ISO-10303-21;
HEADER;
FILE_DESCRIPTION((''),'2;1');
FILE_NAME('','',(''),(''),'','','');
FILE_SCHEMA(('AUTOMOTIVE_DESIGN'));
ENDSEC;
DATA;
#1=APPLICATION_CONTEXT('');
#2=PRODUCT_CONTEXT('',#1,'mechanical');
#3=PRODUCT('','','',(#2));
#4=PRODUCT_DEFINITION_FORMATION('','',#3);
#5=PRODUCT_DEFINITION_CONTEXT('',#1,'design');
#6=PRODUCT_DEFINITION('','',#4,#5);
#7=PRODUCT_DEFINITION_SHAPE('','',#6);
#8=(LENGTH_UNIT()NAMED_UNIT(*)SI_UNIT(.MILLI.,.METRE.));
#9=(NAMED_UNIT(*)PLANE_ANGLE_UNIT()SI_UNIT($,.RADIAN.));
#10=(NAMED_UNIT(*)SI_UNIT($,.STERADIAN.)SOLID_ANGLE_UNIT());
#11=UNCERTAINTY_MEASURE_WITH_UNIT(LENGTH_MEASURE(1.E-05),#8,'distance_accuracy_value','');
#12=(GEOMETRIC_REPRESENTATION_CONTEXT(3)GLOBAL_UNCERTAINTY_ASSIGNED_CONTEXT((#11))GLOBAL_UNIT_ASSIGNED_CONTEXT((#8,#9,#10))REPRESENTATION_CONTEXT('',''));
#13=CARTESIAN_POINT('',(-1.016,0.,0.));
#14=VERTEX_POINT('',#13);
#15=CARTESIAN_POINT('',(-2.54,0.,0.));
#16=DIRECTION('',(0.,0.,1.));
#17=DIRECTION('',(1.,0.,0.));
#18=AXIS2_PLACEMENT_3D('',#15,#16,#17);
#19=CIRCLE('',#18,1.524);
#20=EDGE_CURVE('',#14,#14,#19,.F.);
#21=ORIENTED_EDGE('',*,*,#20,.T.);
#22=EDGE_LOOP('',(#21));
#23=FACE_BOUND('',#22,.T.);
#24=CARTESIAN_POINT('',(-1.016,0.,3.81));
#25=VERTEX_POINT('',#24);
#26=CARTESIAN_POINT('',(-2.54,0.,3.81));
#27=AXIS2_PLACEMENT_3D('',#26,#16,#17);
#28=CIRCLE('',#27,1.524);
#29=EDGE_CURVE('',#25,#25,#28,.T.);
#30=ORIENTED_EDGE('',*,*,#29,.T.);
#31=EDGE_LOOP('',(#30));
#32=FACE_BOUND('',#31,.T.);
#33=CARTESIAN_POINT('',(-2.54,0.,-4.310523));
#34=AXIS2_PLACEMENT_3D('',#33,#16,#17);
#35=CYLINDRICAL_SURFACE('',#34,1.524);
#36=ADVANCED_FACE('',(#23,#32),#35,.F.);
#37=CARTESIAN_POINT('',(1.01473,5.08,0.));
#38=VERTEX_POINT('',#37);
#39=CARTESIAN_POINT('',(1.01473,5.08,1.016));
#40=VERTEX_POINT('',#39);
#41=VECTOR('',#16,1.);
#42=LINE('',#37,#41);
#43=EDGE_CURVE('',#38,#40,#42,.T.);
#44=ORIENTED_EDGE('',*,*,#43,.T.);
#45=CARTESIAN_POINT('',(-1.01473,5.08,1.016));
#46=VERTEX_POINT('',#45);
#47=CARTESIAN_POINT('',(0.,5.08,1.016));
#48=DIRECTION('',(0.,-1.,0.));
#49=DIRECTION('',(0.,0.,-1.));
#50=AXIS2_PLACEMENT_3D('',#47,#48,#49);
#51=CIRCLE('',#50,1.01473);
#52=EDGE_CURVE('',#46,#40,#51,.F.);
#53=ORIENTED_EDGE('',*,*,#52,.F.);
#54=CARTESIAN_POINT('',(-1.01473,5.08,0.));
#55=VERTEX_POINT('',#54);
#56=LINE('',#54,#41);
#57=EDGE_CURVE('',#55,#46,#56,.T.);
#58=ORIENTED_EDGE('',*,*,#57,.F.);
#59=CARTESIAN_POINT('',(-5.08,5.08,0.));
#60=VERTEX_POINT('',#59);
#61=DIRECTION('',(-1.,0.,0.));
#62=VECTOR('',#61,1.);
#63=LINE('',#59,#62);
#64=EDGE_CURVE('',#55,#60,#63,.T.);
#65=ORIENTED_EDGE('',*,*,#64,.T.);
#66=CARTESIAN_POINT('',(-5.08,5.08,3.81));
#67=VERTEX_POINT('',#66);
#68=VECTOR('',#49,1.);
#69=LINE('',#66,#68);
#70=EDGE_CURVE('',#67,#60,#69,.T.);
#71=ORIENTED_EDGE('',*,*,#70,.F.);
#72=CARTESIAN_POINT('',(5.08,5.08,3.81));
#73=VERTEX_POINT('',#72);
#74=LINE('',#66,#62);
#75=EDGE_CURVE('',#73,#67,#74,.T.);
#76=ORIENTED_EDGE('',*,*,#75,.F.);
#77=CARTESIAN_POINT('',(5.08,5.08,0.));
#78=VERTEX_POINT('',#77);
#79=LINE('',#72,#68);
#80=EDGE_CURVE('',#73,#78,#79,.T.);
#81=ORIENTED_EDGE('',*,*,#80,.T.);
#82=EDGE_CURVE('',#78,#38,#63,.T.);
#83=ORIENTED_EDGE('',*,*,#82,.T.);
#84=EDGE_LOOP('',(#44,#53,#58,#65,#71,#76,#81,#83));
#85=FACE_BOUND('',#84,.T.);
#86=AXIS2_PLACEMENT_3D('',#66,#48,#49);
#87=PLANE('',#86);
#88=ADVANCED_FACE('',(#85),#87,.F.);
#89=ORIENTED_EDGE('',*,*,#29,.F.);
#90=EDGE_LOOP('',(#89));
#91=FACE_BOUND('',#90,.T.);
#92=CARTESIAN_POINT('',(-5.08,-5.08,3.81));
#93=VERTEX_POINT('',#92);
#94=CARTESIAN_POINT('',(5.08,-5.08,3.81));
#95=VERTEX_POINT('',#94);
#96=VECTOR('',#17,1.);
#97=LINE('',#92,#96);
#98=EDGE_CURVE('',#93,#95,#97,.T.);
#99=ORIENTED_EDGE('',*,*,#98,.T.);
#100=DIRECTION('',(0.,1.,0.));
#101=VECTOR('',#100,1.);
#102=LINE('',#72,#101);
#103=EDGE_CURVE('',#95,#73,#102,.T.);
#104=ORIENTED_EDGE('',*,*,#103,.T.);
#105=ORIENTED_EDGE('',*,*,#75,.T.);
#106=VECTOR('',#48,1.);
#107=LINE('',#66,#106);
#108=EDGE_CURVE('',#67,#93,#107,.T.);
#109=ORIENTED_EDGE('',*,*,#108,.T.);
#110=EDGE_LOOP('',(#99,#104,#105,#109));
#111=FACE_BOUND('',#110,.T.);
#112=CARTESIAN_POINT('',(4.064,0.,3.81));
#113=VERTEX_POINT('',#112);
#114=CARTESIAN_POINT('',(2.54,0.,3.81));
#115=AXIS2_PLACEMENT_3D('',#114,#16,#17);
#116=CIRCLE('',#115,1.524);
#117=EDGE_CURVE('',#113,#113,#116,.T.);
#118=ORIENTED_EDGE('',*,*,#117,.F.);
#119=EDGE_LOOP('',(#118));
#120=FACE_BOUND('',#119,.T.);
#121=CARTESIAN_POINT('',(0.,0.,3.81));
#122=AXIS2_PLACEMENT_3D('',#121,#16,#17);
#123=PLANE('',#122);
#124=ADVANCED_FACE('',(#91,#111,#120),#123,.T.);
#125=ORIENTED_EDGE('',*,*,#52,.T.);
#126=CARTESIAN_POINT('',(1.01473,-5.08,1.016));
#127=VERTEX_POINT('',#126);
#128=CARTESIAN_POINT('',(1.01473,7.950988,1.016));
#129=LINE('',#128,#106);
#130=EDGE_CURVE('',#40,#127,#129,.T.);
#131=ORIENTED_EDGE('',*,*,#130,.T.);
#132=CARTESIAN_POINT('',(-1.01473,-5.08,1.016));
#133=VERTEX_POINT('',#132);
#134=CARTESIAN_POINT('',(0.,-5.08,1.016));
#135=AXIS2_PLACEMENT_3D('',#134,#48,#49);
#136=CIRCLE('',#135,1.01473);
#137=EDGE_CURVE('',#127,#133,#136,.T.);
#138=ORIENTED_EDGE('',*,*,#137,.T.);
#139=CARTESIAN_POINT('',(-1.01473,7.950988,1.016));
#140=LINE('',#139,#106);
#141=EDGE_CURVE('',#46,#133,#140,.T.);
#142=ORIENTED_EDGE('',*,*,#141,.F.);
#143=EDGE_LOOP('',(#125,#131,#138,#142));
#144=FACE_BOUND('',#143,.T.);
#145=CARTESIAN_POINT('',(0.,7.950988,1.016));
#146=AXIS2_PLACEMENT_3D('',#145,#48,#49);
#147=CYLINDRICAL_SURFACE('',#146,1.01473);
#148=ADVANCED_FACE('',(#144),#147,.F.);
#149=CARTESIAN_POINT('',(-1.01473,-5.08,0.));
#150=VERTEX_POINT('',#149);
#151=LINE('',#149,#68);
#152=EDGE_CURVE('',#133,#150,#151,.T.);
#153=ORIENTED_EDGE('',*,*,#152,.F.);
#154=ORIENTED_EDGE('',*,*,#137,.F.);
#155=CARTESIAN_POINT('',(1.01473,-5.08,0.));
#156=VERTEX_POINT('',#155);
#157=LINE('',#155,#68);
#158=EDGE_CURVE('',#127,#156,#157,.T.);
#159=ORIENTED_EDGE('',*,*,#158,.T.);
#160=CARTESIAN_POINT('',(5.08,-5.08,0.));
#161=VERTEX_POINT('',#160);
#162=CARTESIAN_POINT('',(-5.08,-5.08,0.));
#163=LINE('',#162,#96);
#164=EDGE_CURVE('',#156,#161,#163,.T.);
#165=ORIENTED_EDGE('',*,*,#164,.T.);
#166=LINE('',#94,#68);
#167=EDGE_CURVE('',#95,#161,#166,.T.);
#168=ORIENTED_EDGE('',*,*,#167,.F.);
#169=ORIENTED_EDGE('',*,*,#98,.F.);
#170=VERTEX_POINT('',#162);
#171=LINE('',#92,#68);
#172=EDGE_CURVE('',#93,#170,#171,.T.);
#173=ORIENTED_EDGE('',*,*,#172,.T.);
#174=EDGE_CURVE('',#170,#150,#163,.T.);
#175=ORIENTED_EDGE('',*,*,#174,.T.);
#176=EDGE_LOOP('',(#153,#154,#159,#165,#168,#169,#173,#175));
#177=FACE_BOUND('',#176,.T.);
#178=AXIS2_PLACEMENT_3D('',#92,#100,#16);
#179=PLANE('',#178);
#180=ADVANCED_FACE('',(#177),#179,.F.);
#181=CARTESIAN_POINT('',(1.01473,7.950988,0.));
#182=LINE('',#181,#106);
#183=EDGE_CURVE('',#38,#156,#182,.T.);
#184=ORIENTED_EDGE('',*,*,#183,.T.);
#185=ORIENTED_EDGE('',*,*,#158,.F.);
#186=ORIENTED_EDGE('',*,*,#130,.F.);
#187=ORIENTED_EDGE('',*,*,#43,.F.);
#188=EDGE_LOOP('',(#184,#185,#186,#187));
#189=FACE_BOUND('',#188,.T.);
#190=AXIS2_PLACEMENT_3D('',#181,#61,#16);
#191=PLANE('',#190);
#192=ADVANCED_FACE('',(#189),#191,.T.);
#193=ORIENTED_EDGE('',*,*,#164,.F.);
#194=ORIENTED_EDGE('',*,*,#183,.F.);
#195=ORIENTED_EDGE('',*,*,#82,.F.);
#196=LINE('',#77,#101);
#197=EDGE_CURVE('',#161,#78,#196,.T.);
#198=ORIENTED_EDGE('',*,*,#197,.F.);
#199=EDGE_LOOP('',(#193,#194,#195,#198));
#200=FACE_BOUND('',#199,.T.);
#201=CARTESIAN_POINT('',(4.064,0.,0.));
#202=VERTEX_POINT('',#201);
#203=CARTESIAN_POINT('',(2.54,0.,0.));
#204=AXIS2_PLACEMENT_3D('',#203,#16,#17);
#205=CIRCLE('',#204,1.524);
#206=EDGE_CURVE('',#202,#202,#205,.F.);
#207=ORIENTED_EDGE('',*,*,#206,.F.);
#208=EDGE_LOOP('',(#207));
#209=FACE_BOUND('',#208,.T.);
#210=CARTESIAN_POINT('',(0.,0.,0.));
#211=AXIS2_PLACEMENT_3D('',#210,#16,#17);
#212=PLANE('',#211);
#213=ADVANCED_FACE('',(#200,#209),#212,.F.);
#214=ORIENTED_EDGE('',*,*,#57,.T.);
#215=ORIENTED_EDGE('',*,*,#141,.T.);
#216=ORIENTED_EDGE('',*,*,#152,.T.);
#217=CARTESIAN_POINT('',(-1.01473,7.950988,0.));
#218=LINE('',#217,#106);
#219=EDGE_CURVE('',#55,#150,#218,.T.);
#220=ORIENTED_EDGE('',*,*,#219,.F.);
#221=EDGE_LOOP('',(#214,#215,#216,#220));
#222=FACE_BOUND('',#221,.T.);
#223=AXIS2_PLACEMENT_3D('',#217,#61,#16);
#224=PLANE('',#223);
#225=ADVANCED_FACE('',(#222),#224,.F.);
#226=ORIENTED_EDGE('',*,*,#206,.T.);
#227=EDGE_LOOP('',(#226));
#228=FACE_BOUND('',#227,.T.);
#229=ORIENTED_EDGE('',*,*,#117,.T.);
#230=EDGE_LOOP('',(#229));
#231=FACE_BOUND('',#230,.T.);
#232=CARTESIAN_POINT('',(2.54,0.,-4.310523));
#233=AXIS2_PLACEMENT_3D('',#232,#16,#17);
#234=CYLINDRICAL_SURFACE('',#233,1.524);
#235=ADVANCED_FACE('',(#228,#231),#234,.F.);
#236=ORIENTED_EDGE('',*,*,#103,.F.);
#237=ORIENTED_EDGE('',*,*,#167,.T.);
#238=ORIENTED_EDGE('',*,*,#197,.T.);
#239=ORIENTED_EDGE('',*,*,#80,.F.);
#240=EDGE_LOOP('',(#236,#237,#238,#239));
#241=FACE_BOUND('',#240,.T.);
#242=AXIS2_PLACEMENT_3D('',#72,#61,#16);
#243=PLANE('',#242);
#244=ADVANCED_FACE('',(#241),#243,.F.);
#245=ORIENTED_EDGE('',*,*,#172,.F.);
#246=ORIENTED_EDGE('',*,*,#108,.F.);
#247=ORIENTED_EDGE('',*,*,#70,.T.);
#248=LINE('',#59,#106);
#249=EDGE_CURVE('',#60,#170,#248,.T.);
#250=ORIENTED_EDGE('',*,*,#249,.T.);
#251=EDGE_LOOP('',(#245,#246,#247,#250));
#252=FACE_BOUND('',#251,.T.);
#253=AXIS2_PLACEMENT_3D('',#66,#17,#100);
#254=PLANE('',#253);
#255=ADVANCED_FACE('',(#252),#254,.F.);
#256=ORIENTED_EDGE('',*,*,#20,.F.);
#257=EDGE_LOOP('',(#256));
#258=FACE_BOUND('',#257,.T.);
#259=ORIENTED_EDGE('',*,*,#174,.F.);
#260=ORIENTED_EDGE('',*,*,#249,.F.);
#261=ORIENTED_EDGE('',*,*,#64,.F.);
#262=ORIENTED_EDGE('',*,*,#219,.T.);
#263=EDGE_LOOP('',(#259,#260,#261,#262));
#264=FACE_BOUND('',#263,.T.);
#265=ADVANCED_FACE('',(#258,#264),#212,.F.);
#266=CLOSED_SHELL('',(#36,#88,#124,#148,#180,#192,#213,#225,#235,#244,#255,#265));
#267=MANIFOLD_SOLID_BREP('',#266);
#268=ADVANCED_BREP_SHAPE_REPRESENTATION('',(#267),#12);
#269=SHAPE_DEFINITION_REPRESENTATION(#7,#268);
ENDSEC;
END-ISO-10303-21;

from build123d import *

# Parameters (mm, degrees)
SKETCH1_W           = 10.16
SKETCH1_H           = 10.16
BOSS_EXTRUDE1_DEPTH = 3.81
SKETCH2_R           = 1.524
CUT_EXTRUDE1_DEPTH  = 3.81
SKETCH3_R           = 1.01473
CUT_EXTRUDE3_DEPTH  = 10.16


with BuildPart() as part:
    # Sketch1 → Boss-Extrude1 (new body)
    with BuildSketch(Plane.XY):
        Rectangle(SKETCH1_W, SKETCH1_H)
    extrude(amount=BOSS_EXTRUDE1_DEPTH)

    # Sketch2 → Cut-Extrude1 (cut)
    with BuildSketch(Plane.XY.offset(3.81)):
        with Locations((2.54, 0)):
            Circle(SKETCH2_R)
        with Locations((-2.54, 0)):
            Circle(SKETCH2_R)
    extrude(amount=-CUT_EXTRUDE1_DEPTH, mode=Mode.SUBTRACT)

    # Sketch3 → Cut-Extrude3 (cut)
    with BuildSketch(Plane.XZ.offset(5.08)):
        with Locations((0, 1.016)):
            Circle(SKETCH3_R)
        with BuildLine():
            ThreePointArc((1.01473, 1.016), (0, 0.00127), (-1.01473, 1.016))
            Line((-1.01473, 1.016), (-1.01473, 0))
            Line((-1.01473, 0), (1.01473, 0))
            Line((1.01473, 0), (1.01473, 1.016))
        make_face()
    extrude(amount=-CUT_EXTRUDE3_DEPTH, mode=Mode.SUBTRACT)


solid = part.part
